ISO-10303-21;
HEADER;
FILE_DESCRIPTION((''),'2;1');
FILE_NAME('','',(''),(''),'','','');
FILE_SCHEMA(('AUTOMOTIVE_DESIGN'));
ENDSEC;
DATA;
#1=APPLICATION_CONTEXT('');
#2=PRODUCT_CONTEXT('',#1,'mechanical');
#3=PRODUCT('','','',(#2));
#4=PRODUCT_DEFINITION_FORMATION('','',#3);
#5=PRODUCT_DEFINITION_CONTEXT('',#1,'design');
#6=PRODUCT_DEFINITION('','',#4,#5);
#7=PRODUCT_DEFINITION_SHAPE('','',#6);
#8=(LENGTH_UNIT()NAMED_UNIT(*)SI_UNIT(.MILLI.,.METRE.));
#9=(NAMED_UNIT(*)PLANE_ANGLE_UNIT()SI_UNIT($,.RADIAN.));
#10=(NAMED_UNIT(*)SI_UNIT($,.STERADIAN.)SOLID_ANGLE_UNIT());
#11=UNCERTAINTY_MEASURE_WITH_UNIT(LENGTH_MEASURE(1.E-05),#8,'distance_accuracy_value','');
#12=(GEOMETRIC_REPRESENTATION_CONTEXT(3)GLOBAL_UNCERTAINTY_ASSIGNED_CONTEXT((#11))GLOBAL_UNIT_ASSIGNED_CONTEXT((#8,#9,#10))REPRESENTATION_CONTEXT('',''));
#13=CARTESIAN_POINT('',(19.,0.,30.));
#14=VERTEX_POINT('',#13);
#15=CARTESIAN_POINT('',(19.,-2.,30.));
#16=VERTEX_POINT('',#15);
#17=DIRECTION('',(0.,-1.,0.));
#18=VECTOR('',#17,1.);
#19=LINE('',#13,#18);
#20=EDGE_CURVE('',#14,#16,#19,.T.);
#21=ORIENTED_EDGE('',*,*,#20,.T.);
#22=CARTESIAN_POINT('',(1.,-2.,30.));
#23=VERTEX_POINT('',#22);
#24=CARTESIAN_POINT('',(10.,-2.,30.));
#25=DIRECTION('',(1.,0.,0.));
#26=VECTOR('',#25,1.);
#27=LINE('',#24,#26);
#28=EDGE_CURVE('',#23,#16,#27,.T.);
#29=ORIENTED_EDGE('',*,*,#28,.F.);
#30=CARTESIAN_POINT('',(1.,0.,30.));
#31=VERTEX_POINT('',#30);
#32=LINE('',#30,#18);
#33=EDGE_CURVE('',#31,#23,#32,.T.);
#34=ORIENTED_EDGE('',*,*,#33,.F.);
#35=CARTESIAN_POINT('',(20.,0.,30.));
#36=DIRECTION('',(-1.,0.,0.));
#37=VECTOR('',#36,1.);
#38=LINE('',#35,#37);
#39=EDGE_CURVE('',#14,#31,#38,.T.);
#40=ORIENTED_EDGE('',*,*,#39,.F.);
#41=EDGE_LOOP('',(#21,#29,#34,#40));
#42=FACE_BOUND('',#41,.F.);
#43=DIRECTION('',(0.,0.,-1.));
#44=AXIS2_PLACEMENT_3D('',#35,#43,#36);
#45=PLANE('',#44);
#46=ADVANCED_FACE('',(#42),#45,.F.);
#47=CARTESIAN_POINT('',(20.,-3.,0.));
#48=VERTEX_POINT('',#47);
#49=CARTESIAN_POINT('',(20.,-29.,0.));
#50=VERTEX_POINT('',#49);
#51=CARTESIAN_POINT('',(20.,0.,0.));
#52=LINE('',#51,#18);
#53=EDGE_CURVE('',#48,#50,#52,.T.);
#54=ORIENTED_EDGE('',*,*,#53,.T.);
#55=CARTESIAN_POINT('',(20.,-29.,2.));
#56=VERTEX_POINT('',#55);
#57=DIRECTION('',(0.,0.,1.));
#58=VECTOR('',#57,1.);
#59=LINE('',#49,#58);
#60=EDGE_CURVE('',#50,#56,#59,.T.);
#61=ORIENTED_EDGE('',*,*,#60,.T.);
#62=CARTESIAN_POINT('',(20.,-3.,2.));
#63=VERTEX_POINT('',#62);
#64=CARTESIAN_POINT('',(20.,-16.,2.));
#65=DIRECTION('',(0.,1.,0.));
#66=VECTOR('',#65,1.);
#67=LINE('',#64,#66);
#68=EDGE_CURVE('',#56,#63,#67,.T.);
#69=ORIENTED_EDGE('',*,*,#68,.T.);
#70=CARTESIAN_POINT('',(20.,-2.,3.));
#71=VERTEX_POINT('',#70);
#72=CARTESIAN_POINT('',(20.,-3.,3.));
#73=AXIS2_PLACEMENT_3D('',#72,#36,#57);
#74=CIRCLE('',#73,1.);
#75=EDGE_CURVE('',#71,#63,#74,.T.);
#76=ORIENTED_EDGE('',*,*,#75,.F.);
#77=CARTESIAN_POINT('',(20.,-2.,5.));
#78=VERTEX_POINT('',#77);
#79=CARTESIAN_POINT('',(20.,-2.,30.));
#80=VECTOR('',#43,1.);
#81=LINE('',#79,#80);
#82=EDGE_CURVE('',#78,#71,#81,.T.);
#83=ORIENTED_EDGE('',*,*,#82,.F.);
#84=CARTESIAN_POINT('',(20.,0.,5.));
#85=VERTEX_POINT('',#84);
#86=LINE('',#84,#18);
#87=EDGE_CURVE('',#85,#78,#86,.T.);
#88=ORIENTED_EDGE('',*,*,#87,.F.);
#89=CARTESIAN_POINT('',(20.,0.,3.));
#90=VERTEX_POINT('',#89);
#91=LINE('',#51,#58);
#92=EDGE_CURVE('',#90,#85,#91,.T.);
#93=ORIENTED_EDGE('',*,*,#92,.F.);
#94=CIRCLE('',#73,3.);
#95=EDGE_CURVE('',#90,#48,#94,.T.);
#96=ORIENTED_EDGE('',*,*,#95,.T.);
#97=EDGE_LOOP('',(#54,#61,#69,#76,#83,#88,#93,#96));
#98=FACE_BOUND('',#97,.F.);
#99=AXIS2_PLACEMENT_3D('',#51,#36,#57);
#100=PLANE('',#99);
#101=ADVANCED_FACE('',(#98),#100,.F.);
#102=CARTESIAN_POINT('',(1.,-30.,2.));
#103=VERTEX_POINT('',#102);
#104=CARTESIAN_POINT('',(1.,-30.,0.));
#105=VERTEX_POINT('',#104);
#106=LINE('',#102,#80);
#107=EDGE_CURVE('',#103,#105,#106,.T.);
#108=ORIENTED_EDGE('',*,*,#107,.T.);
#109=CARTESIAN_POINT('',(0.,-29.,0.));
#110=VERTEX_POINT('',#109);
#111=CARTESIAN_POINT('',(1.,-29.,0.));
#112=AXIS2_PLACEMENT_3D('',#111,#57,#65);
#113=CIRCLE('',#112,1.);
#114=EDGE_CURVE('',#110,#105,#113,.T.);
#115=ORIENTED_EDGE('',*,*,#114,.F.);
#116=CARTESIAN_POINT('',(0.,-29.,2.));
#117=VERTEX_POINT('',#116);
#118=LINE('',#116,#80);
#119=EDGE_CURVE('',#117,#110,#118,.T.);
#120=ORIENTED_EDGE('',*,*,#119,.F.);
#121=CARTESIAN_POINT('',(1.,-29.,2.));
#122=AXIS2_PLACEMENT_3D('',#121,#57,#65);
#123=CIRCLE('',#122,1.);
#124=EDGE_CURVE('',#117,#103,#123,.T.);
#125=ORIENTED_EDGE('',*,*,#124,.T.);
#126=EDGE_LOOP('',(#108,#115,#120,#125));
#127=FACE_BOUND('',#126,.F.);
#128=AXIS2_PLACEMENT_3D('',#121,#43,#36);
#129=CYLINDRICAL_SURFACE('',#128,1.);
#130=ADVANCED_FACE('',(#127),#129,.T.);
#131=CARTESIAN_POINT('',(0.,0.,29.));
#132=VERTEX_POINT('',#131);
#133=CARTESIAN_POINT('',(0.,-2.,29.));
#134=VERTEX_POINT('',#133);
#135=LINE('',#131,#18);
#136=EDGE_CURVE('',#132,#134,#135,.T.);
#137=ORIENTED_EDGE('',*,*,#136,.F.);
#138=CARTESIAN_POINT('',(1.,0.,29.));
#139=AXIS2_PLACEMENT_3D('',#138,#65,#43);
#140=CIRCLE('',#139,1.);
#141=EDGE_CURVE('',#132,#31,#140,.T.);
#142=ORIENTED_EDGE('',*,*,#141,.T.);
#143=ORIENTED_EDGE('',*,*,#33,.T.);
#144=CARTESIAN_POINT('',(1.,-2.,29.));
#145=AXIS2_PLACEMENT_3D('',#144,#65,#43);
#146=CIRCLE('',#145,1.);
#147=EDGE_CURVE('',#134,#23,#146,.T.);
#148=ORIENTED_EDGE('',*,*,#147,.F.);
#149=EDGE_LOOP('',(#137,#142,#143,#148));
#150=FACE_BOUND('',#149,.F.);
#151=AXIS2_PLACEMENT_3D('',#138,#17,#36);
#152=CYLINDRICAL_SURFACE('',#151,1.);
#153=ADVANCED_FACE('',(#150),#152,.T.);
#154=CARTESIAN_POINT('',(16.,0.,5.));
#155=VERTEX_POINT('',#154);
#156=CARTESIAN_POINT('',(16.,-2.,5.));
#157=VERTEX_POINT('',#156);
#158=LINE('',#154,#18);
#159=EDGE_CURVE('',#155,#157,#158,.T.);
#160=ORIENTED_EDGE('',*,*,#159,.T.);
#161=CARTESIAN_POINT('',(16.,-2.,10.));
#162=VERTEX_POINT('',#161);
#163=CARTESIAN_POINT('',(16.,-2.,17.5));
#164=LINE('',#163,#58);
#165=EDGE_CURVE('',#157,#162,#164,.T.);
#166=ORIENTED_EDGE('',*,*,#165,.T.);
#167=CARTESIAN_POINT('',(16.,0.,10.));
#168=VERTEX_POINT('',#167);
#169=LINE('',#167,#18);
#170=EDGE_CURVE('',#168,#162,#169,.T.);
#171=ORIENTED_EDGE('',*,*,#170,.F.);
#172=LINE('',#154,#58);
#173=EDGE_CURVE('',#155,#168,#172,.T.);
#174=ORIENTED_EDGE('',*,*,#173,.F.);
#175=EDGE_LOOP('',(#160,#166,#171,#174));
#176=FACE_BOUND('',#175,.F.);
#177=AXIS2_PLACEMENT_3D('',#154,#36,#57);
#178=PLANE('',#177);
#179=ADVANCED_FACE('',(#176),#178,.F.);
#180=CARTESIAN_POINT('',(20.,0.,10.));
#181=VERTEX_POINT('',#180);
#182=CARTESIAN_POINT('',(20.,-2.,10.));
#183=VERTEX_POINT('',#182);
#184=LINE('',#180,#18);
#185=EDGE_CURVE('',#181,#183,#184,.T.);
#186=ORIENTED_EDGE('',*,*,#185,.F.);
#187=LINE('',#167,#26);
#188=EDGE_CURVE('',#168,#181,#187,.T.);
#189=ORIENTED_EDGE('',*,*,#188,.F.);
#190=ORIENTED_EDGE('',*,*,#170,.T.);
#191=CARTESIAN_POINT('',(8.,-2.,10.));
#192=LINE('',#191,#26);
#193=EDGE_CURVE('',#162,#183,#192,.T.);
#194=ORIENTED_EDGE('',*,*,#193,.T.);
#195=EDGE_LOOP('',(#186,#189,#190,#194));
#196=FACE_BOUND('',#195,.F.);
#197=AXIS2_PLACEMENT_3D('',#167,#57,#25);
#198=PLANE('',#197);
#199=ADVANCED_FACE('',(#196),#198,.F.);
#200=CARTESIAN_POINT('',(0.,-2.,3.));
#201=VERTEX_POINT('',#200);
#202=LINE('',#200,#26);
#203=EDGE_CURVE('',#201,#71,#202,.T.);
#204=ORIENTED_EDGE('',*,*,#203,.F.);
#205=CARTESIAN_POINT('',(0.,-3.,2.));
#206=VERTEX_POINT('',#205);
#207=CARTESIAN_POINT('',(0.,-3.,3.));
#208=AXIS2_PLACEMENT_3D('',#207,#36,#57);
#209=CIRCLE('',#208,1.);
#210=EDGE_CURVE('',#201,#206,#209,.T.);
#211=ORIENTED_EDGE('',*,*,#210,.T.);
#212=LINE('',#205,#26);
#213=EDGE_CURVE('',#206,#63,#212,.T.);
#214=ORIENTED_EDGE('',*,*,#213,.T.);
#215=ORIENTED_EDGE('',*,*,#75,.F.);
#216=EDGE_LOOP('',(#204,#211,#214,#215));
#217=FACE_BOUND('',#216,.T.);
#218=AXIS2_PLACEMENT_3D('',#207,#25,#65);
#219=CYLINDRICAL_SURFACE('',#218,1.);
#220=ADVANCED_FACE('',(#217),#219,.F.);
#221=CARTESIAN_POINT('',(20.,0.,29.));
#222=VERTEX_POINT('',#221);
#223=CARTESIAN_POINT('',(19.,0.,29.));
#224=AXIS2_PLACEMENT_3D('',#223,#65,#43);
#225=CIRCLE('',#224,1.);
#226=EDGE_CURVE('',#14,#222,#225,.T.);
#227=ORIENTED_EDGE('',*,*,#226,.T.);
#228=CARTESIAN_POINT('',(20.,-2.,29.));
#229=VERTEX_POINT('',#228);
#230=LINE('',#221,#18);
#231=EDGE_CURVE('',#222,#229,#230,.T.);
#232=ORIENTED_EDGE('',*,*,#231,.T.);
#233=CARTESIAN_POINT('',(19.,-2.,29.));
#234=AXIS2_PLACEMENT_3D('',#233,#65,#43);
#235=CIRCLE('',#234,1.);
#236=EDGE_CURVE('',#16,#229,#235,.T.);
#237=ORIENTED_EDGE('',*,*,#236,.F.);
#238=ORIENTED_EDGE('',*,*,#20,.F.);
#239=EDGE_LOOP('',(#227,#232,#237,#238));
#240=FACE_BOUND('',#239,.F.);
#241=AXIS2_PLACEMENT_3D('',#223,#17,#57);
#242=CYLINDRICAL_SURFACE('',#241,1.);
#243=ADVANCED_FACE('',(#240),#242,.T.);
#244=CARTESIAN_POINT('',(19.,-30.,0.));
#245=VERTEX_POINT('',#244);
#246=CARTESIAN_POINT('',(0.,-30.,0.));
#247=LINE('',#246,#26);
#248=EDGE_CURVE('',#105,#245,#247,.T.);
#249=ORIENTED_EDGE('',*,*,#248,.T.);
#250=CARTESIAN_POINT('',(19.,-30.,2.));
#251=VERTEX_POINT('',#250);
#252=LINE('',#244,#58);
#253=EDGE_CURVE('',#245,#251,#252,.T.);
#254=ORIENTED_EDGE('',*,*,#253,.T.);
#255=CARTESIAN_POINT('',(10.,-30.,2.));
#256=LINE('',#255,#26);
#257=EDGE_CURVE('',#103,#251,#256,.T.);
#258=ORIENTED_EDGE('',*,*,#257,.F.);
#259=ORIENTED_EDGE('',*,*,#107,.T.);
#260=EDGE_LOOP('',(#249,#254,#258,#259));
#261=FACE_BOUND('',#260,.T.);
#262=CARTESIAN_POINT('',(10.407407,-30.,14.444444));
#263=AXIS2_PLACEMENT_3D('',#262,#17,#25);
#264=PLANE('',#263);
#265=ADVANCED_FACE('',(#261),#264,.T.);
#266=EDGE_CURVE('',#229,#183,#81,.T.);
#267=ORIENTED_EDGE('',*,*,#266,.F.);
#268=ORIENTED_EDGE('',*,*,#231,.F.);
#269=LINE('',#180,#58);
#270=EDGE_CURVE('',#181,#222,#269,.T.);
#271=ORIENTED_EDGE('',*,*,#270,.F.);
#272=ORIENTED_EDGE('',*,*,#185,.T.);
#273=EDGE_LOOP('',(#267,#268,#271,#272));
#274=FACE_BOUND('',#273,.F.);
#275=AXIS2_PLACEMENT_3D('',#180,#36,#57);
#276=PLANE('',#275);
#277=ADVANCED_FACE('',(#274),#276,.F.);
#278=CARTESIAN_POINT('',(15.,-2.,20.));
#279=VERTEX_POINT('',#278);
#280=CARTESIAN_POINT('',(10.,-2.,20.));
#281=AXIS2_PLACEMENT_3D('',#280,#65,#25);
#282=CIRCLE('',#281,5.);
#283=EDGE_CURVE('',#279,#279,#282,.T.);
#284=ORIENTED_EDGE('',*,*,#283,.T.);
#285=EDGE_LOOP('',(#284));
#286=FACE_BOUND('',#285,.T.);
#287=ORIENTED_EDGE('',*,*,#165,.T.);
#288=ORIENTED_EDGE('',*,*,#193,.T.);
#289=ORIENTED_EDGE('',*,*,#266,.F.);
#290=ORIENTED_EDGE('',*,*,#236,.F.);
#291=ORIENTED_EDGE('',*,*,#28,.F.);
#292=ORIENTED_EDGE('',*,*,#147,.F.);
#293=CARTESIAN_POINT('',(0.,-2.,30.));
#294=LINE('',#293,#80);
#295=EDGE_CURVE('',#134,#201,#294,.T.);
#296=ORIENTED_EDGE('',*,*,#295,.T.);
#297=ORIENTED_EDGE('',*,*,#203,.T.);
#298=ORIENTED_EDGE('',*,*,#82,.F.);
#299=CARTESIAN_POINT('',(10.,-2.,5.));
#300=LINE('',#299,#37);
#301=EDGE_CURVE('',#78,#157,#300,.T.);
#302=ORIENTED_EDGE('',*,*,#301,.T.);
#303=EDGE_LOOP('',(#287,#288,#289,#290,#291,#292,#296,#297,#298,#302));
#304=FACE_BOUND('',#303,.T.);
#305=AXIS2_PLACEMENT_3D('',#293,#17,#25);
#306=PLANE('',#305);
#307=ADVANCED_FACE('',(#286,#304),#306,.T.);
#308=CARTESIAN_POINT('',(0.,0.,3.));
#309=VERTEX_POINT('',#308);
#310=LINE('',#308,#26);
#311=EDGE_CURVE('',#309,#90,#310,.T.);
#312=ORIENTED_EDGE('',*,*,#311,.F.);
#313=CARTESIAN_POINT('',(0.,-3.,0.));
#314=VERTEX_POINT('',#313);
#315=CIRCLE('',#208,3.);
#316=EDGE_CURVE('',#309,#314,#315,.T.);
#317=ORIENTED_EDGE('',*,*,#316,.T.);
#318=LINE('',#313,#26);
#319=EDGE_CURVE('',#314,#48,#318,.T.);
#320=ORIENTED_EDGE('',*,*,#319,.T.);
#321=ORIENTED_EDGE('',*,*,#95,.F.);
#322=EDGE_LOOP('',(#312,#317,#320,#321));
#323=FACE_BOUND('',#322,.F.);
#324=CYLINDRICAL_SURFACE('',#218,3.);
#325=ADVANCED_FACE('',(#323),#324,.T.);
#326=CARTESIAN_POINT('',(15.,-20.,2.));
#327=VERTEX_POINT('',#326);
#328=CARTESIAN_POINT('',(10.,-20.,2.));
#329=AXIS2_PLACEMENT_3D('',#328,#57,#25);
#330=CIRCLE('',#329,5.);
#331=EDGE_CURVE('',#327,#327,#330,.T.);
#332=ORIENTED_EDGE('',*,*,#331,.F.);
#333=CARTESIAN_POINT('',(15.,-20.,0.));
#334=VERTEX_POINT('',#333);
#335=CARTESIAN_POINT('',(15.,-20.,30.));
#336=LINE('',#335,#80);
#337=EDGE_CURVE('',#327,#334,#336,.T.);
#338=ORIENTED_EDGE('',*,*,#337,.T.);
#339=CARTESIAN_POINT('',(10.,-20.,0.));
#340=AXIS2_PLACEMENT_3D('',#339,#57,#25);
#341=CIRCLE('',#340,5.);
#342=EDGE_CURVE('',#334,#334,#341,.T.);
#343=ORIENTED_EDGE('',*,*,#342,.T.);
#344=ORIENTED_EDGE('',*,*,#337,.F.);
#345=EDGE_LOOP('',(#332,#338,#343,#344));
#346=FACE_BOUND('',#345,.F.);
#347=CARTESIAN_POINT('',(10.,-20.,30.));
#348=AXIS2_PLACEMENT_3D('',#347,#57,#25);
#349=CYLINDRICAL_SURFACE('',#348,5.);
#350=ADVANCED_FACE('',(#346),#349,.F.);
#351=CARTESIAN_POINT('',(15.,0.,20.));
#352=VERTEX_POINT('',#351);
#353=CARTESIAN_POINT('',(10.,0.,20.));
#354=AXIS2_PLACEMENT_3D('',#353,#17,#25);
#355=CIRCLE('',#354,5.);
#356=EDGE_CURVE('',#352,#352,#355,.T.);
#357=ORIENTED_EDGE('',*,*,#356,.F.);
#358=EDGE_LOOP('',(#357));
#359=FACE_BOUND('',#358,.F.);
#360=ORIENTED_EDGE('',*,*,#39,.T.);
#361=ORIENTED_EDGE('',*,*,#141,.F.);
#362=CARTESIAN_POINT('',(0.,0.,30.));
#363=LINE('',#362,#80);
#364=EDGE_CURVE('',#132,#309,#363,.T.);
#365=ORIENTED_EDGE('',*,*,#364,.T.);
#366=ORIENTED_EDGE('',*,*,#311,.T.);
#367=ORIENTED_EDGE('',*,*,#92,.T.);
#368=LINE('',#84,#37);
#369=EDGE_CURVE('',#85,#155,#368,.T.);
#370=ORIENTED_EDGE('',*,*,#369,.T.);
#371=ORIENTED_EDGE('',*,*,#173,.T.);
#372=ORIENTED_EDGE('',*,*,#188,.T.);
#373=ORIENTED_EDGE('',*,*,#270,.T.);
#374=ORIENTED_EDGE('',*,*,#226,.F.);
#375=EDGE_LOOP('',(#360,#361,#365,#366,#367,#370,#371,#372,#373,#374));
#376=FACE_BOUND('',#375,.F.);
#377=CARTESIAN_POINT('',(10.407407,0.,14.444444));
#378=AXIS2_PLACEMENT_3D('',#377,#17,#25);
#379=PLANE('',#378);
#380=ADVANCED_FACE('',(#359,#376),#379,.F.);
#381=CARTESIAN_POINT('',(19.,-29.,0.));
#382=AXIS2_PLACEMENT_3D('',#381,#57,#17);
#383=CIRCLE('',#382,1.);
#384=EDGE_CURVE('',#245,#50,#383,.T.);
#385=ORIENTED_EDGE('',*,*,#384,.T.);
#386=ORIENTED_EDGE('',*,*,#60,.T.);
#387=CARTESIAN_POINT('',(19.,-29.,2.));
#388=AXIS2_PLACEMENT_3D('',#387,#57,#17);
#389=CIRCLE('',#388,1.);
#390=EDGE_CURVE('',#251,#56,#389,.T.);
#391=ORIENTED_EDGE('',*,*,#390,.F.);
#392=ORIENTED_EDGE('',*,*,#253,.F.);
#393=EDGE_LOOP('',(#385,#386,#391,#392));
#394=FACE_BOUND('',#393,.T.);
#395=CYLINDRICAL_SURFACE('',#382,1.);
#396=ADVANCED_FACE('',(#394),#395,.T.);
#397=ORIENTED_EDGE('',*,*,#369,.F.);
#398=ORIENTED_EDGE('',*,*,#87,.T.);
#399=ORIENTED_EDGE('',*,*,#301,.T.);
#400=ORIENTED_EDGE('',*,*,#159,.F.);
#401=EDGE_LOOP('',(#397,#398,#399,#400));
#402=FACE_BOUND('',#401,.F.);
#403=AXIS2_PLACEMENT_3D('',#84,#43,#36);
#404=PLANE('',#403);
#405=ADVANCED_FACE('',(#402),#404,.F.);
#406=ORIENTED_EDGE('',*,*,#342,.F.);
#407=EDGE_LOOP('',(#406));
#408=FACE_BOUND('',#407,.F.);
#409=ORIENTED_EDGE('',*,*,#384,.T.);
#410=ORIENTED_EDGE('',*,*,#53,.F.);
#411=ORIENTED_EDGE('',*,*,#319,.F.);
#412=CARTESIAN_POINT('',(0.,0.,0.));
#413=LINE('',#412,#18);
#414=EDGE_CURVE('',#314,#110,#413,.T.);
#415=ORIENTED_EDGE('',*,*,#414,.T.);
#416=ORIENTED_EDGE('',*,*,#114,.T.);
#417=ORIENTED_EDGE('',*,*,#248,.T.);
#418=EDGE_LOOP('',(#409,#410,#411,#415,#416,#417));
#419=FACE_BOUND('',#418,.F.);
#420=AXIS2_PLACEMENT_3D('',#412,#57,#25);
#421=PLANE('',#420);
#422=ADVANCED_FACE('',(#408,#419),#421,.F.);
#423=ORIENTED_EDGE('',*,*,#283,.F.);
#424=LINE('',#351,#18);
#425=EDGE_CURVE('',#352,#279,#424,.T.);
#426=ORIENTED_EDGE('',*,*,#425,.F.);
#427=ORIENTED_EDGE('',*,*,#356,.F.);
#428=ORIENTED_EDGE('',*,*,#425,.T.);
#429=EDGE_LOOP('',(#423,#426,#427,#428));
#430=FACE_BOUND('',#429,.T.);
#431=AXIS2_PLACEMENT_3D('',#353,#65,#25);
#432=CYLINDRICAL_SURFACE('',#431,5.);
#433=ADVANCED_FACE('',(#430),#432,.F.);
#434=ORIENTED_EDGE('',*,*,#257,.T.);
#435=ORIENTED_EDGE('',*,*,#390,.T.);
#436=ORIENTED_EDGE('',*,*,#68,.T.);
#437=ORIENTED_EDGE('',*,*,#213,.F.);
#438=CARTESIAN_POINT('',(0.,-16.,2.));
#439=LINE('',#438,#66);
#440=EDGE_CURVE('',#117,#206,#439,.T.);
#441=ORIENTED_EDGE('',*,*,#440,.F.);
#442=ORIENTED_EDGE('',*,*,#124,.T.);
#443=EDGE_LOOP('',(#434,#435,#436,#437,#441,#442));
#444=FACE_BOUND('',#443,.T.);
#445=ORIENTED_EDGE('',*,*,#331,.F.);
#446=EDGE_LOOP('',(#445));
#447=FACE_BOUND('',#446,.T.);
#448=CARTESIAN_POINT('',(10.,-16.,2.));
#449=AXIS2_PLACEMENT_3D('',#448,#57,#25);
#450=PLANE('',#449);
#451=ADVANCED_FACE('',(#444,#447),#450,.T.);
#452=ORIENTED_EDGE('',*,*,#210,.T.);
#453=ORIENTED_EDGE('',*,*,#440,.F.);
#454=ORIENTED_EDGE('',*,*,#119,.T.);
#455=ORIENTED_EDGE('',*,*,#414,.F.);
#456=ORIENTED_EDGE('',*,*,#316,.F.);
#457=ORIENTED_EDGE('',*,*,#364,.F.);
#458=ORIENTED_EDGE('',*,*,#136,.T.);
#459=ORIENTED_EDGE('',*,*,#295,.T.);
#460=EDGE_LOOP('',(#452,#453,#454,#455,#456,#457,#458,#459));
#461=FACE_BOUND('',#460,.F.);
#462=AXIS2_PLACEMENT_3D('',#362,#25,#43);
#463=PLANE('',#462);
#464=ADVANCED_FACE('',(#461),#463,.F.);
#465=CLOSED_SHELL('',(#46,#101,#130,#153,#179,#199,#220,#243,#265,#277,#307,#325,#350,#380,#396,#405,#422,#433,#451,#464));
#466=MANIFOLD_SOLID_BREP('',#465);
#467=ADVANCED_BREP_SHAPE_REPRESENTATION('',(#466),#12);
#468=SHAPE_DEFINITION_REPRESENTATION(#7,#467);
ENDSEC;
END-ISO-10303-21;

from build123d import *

# Parameters (mm, degrees)
F0_R     = 5
F1_DEPTH = 30
F2_W     = 20
F2_H     = 28
F2_R     = 5
F3_DEPTH = 28
F4_DEPTH = 56
F5_R     = 1
F6_R     = 3
F7_R     = 1


with BuildPart() as f1:
    # F0 (on Front) → F1 (new body)
    with BuildSketch(Plane.XZ):
        Polygon((0, 30), (0, 0), (20, 0), (20, 5), (16, 5), (16, 10), (20, 10), (20, 30), align=None)
        with Locations((10, 20)):
            Circle(F0_R, mode=Mode.SUBTRACT)
    extrude(amount=F1_DEPTH)

    # F2 (on face) → F3 (cut)
    with BuildSketch(Plane.XY.offset(30)):
        with Locations((10, -16)):
            Rectangle(F2_W, F2_H)
        with Locations((10, -20)):
            Circle(F2_R, mode=Mode.SUBTRACT)
        with Locations((10, -20)):
            Circle(F2_R)
    extrude(amount=-F3_DEPTH, mode=Mode.SUBTRACT)

    # F2 (on face) → F4 (cut)
    with BuildSketch(Plane.XY.offset(30)):
        with Locations((10, -20)):
            Circle(F2_R)
    extrude(amount=-F4_DEPTH, mode=Mode.SUBTRACT)

    # F5
    f5_edges = [f1.edges().sort_by_distance(p)[0] for p in [
        (20, -30, 1),
        (0, -30, 1),
        (20, -1, 30),
        (0, -1, 30),
    ]]
    fillet(f5_edges, radius=F5_R)

    # F6
    f6_edges = [f1.edges().sort_by_distance(p)[0] for p in [
        (10, 0, 0),
    ]]
    fillet(f6_edges, radius=F6_R)

    # F7
    f7_edges = [f1.edges().sort_by_distance(p)[0] for p in [
        (10, -2, 2),
    ]]
    fillet(f7_edges, radius=F7_R)


solid = f1.part
